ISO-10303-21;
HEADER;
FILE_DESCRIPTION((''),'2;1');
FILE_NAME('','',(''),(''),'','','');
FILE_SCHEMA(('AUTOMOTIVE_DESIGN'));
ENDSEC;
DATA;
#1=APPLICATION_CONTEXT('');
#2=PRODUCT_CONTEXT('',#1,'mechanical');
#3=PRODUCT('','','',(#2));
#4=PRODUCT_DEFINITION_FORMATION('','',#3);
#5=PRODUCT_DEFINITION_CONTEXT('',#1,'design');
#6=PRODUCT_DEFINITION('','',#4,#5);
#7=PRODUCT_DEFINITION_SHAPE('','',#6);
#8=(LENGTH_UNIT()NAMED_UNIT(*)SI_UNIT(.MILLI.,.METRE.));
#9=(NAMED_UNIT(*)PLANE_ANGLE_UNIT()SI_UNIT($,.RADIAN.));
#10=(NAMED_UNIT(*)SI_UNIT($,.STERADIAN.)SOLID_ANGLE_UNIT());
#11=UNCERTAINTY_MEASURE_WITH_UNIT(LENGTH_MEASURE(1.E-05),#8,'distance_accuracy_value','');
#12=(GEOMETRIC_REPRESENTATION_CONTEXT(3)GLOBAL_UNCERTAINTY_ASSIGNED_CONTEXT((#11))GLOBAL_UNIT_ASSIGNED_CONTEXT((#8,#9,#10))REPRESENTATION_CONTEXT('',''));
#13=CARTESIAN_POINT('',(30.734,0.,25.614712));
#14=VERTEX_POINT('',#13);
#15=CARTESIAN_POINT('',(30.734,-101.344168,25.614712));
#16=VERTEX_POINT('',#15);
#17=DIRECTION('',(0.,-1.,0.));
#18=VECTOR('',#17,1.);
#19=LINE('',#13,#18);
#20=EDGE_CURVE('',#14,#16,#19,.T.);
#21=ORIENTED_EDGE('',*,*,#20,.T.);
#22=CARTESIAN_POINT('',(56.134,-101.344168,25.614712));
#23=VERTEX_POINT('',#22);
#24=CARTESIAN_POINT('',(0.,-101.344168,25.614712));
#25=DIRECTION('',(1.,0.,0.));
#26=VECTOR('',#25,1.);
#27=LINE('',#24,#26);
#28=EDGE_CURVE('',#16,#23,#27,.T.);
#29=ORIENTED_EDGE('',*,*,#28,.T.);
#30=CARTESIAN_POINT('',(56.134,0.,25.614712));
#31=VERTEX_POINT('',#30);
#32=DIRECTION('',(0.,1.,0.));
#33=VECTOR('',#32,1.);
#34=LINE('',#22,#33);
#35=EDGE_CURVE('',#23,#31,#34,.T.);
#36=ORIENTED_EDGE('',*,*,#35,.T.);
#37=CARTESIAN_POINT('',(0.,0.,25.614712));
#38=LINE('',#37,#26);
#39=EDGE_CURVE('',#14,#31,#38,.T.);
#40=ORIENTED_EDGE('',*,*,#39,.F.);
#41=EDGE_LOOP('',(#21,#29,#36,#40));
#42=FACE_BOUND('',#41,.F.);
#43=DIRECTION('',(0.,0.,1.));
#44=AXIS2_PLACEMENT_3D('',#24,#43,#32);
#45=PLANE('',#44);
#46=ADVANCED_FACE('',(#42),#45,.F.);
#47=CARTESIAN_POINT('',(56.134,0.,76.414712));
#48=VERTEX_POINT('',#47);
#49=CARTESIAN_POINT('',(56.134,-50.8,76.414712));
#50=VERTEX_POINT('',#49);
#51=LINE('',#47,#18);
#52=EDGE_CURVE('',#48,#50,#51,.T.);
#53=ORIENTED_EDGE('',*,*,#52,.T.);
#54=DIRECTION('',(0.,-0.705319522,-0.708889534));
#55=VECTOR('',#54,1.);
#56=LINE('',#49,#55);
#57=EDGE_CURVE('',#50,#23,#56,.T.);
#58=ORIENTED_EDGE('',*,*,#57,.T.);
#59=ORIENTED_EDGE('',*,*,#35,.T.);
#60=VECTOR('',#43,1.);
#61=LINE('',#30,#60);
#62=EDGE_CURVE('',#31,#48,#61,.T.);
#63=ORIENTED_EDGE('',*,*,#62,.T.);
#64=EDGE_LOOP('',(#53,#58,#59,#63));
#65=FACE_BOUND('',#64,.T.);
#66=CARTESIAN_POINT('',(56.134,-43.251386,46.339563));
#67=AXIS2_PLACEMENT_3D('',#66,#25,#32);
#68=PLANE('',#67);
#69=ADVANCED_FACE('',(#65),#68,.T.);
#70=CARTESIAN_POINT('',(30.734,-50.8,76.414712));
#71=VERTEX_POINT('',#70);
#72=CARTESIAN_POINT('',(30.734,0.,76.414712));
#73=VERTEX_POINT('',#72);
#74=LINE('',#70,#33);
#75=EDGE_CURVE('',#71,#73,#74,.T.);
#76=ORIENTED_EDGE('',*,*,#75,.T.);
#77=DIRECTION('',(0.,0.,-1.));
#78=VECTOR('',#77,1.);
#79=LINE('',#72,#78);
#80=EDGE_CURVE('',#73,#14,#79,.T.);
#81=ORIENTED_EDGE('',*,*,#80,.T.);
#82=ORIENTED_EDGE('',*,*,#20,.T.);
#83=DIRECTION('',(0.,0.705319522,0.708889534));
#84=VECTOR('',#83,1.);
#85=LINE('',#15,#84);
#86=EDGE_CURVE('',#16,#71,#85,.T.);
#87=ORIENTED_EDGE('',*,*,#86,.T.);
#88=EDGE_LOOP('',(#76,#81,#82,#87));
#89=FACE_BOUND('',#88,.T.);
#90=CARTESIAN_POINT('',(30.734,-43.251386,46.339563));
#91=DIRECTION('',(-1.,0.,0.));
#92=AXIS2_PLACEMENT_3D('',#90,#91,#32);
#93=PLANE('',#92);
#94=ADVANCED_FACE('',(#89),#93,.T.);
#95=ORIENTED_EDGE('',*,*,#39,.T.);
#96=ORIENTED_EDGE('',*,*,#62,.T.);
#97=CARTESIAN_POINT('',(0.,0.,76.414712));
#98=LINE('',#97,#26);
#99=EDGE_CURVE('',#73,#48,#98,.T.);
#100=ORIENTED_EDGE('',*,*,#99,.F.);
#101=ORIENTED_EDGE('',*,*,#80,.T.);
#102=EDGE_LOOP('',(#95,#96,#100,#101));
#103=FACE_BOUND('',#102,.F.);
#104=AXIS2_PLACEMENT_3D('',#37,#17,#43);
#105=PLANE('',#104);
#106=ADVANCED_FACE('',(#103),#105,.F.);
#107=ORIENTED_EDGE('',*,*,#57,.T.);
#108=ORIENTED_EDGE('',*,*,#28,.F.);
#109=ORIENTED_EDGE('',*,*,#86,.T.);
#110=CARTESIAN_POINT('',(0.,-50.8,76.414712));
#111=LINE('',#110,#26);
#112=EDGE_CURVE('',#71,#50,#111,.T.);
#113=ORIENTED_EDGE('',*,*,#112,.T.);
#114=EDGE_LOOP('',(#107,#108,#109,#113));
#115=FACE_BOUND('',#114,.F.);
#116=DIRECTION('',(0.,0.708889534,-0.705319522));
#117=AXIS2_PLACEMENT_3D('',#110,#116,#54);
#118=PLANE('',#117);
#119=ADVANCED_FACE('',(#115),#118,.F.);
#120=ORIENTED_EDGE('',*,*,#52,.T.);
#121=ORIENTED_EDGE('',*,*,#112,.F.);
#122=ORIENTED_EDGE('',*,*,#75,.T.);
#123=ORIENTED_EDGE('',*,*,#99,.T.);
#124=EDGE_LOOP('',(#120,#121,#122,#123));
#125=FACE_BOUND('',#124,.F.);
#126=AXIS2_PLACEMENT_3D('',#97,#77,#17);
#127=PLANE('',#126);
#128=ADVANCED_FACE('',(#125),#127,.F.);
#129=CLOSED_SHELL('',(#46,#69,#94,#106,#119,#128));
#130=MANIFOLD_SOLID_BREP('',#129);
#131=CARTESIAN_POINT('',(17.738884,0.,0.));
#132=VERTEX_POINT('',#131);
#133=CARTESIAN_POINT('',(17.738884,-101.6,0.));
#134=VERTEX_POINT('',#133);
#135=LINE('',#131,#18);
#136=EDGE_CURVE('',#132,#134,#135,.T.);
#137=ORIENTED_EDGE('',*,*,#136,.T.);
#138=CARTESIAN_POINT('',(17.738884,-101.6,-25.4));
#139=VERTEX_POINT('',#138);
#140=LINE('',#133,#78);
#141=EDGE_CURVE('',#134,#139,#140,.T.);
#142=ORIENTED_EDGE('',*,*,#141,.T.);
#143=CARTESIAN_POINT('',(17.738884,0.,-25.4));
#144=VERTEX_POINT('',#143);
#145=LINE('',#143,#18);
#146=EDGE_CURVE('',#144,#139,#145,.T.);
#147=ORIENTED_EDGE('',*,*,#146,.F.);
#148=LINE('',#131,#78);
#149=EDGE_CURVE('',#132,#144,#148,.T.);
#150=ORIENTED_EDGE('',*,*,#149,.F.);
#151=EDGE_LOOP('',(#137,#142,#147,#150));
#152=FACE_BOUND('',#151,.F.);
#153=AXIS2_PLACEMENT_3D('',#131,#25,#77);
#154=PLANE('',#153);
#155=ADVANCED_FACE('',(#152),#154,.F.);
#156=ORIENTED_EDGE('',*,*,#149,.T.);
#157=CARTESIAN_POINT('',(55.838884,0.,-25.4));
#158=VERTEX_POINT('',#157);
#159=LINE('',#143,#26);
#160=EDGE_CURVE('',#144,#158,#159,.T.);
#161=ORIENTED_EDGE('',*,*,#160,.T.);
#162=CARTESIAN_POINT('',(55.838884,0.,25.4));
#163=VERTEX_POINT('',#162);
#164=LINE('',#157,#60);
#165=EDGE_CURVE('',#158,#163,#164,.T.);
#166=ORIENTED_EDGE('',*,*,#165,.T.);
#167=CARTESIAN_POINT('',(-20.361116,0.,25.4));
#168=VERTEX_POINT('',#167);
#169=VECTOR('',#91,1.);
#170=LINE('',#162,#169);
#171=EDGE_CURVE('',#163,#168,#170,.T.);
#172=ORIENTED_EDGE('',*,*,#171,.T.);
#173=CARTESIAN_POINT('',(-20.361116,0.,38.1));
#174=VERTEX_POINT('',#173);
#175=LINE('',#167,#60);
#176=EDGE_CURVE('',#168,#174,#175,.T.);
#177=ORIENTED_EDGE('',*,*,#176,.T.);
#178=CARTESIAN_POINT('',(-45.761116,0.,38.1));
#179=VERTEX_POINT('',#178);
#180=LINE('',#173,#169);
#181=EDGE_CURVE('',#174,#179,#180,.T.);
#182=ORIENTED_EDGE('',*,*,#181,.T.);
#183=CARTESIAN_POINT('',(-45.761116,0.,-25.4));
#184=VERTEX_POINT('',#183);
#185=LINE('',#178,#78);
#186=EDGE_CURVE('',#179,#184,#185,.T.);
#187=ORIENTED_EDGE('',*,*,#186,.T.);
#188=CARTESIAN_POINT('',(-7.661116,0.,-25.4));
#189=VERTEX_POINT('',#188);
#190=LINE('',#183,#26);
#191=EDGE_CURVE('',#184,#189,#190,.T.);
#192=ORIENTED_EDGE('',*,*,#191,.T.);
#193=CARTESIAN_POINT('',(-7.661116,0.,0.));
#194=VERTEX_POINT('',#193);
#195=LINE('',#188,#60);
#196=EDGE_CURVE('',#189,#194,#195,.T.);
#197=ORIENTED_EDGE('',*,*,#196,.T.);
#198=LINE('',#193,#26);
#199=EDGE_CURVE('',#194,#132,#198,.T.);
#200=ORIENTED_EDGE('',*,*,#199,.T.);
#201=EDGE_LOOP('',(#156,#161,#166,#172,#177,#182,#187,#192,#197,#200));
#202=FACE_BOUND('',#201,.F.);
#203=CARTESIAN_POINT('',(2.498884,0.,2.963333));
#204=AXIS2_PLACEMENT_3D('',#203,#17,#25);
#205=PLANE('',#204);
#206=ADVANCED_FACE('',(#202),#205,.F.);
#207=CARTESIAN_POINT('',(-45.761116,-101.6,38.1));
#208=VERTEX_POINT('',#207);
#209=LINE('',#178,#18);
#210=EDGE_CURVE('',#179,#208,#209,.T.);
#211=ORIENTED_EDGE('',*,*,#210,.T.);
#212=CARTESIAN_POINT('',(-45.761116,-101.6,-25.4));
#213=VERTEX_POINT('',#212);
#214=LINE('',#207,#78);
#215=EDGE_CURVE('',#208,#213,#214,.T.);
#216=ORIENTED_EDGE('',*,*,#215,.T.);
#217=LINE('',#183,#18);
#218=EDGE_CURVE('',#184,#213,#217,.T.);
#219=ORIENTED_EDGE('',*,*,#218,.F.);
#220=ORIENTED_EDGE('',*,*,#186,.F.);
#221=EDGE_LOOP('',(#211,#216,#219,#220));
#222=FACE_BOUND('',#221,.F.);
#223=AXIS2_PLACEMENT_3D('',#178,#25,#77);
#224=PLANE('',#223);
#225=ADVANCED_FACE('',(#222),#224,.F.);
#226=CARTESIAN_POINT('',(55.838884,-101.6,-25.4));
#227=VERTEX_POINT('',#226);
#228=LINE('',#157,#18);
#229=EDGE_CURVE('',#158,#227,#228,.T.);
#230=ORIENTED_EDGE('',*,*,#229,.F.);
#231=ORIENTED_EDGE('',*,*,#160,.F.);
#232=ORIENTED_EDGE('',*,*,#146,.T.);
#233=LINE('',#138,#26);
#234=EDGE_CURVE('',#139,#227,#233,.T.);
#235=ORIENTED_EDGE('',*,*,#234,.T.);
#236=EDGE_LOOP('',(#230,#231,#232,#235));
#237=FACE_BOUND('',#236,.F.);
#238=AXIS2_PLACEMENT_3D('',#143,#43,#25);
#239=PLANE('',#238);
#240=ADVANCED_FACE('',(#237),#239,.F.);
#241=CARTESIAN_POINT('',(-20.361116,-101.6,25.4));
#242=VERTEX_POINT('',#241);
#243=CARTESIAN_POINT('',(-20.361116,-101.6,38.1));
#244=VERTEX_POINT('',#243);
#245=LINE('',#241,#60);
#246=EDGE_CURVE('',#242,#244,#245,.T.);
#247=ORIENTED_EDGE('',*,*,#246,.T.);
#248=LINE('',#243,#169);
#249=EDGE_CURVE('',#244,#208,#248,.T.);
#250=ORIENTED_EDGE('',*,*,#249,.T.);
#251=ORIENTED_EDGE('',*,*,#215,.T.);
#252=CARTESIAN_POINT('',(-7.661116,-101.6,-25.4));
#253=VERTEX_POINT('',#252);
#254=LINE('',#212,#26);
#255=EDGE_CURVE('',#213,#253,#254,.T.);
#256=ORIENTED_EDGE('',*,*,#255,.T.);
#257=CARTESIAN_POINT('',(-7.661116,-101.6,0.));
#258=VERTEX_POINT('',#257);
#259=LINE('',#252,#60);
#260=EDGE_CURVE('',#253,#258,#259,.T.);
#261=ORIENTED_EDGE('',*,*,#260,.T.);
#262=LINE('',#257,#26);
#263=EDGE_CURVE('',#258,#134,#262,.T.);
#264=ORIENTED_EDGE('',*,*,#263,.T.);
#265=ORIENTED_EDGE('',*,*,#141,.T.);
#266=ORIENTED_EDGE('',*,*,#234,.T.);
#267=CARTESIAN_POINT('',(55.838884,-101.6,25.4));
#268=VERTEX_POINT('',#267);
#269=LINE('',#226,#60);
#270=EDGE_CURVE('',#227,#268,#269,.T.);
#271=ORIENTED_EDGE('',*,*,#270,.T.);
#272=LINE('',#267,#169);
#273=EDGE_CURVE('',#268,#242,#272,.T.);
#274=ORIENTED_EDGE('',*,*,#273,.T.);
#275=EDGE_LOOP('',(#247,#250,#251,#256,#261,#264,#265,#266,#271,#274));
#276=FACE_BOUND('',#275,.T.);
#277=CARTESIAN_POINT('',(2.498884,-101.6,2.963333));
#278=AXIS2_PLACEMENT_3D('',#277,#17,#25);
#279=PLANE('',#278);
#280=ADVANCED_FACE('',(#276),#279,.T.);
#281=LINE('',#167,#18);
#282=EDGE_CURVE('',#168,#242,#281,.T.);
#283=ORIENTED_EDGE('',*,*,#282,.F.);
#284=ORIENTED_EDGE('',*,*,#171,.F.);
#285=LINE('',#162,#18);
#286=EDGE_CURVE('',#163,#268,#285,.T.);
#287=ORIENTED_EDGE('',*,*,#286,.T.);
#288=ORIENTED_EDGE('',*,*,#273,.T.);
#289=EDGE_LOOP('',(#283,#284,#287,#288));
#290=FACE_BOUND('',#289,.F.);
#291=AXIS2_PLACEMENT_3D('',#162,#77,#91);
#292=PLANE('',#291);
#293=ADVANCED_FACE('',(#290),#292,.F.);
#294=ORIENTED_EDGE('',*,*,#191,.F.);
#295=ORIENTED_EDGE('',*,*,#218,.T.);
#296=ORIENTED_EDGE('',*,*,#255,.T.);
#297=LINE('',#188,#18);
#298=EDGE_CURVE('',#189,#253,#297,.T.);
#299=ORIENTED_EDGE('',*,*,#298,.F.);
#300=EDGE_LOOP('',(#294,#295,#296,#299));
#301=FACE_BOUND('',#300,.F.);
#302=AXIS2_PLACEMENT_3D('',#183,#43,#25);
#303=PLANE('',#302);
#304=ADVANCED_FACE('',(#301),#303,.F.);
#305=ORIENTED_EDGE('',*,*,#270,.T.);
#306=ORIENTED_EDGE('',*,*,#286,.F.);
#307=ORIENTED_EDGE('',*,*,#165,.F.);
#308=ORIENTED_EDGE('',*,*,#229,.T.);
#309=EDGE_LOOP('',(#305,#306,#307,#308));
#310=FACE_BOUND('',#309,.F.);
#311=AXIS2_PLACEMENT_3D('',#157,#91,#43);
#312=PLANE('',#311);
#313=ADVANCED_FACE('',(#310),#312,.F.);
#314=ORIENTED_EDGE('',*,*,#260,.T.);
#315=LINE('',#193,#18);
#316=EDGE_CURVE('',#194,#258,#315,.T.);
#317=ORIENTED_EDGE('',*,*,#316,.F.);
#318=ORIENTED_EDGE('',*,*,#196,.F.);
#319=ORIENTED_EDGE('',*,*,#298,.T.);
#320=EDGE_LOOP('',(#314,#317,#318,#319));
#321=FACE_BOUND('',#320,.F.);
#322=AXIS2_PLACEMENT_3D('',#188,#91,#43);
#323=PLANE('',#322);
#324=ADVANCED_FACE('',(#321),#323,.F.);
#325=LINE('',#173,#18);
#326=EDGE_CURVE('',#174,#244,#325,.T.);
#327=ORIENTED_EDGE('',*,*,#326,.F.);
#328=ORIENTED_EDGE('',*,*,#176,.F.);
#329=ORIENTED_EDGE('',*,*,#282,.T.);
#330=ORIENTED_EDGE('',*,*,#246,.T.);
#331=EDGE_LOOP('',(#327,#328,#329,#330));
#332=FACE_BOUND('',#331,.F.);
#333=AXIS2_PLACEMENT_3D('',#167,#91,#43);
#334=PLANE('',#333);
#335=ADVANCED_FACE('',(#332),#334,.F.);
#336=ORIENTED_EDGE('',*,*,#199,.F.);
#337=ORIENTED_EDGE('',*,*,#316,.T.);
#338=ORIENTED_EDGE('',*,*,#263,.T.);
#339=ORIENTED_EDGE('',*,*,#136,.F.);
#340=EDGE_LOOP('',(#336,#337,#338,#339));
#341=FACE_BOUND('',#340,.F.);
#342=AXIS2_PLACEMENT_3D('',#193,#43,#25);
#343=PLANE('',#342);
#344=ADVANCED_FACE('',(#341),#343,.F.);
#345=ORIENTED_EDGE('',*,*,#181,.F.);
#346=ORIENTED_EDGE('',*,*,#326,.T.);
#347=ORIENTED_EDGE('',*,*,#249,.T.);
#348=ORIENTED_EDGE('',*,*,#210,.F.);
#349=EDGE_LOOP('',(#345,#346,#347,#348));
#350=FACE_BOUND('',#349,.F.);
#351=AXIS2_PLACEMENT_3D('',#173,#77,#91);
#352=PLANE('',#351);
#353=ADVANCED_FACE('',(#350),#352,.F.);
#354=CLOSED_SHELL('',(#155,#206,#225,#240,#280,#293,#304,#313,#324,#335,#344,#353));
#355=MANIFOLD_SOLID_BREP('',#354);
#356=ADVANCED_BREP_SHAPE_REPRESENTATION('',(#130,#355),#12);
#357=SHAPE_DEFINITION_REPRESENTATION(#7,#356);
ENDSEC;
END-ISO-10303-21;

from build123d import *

# Parameters (mm, degrees)
F1_DEPTH = 101.6
F3_DEPTH = 56.134
F4_DEPTH = 30.734


with BuildPart() as f1:
    # F0 (on Front) → F1 (new body)
    with BuildSketch(Plane.XZ):
        Polygon((17.738884, -25.4), (55.838884, -25.4), (55.838884, 25.4), (-20.361116, 25.4), (-20.361116, 38.1), (-45.761116, 38.1), (-45.761116, -25.4), (-7.661116, -25.4), (-7.661116, 0), (17.738884, 0), align=None)
    extrude(amount=F1_DEPTH)


with BuildPart() as f3:
    # F2 (on Right) → F3 (new body)
    with BuildSketch(Plane.YZ):
        Polygon((-101.344168, 25.614712), (0, 25.614712), (0, 76.414712), (-50.8, 76.414712), align=None)
    extrude(amount=F3_DEPTH)

    # F3_face (on face) → F4 (cut)
    with BuildSketch(Plane(origin=(0, -39.435325, 48.201981), x_dir=(0, 1, 0), z_dir=(-1, 0, 0))):
        Polygon((39.435325, 22.587269), (-61.908843, 22.587269), (-11.364675, -28.212731), (39.435325, -28.212731), align=None)
    extrude(amount=-F4_DEPTH, mode=Mode.SUBTRACT)


solid = Compound([f1.part, f3.part])
